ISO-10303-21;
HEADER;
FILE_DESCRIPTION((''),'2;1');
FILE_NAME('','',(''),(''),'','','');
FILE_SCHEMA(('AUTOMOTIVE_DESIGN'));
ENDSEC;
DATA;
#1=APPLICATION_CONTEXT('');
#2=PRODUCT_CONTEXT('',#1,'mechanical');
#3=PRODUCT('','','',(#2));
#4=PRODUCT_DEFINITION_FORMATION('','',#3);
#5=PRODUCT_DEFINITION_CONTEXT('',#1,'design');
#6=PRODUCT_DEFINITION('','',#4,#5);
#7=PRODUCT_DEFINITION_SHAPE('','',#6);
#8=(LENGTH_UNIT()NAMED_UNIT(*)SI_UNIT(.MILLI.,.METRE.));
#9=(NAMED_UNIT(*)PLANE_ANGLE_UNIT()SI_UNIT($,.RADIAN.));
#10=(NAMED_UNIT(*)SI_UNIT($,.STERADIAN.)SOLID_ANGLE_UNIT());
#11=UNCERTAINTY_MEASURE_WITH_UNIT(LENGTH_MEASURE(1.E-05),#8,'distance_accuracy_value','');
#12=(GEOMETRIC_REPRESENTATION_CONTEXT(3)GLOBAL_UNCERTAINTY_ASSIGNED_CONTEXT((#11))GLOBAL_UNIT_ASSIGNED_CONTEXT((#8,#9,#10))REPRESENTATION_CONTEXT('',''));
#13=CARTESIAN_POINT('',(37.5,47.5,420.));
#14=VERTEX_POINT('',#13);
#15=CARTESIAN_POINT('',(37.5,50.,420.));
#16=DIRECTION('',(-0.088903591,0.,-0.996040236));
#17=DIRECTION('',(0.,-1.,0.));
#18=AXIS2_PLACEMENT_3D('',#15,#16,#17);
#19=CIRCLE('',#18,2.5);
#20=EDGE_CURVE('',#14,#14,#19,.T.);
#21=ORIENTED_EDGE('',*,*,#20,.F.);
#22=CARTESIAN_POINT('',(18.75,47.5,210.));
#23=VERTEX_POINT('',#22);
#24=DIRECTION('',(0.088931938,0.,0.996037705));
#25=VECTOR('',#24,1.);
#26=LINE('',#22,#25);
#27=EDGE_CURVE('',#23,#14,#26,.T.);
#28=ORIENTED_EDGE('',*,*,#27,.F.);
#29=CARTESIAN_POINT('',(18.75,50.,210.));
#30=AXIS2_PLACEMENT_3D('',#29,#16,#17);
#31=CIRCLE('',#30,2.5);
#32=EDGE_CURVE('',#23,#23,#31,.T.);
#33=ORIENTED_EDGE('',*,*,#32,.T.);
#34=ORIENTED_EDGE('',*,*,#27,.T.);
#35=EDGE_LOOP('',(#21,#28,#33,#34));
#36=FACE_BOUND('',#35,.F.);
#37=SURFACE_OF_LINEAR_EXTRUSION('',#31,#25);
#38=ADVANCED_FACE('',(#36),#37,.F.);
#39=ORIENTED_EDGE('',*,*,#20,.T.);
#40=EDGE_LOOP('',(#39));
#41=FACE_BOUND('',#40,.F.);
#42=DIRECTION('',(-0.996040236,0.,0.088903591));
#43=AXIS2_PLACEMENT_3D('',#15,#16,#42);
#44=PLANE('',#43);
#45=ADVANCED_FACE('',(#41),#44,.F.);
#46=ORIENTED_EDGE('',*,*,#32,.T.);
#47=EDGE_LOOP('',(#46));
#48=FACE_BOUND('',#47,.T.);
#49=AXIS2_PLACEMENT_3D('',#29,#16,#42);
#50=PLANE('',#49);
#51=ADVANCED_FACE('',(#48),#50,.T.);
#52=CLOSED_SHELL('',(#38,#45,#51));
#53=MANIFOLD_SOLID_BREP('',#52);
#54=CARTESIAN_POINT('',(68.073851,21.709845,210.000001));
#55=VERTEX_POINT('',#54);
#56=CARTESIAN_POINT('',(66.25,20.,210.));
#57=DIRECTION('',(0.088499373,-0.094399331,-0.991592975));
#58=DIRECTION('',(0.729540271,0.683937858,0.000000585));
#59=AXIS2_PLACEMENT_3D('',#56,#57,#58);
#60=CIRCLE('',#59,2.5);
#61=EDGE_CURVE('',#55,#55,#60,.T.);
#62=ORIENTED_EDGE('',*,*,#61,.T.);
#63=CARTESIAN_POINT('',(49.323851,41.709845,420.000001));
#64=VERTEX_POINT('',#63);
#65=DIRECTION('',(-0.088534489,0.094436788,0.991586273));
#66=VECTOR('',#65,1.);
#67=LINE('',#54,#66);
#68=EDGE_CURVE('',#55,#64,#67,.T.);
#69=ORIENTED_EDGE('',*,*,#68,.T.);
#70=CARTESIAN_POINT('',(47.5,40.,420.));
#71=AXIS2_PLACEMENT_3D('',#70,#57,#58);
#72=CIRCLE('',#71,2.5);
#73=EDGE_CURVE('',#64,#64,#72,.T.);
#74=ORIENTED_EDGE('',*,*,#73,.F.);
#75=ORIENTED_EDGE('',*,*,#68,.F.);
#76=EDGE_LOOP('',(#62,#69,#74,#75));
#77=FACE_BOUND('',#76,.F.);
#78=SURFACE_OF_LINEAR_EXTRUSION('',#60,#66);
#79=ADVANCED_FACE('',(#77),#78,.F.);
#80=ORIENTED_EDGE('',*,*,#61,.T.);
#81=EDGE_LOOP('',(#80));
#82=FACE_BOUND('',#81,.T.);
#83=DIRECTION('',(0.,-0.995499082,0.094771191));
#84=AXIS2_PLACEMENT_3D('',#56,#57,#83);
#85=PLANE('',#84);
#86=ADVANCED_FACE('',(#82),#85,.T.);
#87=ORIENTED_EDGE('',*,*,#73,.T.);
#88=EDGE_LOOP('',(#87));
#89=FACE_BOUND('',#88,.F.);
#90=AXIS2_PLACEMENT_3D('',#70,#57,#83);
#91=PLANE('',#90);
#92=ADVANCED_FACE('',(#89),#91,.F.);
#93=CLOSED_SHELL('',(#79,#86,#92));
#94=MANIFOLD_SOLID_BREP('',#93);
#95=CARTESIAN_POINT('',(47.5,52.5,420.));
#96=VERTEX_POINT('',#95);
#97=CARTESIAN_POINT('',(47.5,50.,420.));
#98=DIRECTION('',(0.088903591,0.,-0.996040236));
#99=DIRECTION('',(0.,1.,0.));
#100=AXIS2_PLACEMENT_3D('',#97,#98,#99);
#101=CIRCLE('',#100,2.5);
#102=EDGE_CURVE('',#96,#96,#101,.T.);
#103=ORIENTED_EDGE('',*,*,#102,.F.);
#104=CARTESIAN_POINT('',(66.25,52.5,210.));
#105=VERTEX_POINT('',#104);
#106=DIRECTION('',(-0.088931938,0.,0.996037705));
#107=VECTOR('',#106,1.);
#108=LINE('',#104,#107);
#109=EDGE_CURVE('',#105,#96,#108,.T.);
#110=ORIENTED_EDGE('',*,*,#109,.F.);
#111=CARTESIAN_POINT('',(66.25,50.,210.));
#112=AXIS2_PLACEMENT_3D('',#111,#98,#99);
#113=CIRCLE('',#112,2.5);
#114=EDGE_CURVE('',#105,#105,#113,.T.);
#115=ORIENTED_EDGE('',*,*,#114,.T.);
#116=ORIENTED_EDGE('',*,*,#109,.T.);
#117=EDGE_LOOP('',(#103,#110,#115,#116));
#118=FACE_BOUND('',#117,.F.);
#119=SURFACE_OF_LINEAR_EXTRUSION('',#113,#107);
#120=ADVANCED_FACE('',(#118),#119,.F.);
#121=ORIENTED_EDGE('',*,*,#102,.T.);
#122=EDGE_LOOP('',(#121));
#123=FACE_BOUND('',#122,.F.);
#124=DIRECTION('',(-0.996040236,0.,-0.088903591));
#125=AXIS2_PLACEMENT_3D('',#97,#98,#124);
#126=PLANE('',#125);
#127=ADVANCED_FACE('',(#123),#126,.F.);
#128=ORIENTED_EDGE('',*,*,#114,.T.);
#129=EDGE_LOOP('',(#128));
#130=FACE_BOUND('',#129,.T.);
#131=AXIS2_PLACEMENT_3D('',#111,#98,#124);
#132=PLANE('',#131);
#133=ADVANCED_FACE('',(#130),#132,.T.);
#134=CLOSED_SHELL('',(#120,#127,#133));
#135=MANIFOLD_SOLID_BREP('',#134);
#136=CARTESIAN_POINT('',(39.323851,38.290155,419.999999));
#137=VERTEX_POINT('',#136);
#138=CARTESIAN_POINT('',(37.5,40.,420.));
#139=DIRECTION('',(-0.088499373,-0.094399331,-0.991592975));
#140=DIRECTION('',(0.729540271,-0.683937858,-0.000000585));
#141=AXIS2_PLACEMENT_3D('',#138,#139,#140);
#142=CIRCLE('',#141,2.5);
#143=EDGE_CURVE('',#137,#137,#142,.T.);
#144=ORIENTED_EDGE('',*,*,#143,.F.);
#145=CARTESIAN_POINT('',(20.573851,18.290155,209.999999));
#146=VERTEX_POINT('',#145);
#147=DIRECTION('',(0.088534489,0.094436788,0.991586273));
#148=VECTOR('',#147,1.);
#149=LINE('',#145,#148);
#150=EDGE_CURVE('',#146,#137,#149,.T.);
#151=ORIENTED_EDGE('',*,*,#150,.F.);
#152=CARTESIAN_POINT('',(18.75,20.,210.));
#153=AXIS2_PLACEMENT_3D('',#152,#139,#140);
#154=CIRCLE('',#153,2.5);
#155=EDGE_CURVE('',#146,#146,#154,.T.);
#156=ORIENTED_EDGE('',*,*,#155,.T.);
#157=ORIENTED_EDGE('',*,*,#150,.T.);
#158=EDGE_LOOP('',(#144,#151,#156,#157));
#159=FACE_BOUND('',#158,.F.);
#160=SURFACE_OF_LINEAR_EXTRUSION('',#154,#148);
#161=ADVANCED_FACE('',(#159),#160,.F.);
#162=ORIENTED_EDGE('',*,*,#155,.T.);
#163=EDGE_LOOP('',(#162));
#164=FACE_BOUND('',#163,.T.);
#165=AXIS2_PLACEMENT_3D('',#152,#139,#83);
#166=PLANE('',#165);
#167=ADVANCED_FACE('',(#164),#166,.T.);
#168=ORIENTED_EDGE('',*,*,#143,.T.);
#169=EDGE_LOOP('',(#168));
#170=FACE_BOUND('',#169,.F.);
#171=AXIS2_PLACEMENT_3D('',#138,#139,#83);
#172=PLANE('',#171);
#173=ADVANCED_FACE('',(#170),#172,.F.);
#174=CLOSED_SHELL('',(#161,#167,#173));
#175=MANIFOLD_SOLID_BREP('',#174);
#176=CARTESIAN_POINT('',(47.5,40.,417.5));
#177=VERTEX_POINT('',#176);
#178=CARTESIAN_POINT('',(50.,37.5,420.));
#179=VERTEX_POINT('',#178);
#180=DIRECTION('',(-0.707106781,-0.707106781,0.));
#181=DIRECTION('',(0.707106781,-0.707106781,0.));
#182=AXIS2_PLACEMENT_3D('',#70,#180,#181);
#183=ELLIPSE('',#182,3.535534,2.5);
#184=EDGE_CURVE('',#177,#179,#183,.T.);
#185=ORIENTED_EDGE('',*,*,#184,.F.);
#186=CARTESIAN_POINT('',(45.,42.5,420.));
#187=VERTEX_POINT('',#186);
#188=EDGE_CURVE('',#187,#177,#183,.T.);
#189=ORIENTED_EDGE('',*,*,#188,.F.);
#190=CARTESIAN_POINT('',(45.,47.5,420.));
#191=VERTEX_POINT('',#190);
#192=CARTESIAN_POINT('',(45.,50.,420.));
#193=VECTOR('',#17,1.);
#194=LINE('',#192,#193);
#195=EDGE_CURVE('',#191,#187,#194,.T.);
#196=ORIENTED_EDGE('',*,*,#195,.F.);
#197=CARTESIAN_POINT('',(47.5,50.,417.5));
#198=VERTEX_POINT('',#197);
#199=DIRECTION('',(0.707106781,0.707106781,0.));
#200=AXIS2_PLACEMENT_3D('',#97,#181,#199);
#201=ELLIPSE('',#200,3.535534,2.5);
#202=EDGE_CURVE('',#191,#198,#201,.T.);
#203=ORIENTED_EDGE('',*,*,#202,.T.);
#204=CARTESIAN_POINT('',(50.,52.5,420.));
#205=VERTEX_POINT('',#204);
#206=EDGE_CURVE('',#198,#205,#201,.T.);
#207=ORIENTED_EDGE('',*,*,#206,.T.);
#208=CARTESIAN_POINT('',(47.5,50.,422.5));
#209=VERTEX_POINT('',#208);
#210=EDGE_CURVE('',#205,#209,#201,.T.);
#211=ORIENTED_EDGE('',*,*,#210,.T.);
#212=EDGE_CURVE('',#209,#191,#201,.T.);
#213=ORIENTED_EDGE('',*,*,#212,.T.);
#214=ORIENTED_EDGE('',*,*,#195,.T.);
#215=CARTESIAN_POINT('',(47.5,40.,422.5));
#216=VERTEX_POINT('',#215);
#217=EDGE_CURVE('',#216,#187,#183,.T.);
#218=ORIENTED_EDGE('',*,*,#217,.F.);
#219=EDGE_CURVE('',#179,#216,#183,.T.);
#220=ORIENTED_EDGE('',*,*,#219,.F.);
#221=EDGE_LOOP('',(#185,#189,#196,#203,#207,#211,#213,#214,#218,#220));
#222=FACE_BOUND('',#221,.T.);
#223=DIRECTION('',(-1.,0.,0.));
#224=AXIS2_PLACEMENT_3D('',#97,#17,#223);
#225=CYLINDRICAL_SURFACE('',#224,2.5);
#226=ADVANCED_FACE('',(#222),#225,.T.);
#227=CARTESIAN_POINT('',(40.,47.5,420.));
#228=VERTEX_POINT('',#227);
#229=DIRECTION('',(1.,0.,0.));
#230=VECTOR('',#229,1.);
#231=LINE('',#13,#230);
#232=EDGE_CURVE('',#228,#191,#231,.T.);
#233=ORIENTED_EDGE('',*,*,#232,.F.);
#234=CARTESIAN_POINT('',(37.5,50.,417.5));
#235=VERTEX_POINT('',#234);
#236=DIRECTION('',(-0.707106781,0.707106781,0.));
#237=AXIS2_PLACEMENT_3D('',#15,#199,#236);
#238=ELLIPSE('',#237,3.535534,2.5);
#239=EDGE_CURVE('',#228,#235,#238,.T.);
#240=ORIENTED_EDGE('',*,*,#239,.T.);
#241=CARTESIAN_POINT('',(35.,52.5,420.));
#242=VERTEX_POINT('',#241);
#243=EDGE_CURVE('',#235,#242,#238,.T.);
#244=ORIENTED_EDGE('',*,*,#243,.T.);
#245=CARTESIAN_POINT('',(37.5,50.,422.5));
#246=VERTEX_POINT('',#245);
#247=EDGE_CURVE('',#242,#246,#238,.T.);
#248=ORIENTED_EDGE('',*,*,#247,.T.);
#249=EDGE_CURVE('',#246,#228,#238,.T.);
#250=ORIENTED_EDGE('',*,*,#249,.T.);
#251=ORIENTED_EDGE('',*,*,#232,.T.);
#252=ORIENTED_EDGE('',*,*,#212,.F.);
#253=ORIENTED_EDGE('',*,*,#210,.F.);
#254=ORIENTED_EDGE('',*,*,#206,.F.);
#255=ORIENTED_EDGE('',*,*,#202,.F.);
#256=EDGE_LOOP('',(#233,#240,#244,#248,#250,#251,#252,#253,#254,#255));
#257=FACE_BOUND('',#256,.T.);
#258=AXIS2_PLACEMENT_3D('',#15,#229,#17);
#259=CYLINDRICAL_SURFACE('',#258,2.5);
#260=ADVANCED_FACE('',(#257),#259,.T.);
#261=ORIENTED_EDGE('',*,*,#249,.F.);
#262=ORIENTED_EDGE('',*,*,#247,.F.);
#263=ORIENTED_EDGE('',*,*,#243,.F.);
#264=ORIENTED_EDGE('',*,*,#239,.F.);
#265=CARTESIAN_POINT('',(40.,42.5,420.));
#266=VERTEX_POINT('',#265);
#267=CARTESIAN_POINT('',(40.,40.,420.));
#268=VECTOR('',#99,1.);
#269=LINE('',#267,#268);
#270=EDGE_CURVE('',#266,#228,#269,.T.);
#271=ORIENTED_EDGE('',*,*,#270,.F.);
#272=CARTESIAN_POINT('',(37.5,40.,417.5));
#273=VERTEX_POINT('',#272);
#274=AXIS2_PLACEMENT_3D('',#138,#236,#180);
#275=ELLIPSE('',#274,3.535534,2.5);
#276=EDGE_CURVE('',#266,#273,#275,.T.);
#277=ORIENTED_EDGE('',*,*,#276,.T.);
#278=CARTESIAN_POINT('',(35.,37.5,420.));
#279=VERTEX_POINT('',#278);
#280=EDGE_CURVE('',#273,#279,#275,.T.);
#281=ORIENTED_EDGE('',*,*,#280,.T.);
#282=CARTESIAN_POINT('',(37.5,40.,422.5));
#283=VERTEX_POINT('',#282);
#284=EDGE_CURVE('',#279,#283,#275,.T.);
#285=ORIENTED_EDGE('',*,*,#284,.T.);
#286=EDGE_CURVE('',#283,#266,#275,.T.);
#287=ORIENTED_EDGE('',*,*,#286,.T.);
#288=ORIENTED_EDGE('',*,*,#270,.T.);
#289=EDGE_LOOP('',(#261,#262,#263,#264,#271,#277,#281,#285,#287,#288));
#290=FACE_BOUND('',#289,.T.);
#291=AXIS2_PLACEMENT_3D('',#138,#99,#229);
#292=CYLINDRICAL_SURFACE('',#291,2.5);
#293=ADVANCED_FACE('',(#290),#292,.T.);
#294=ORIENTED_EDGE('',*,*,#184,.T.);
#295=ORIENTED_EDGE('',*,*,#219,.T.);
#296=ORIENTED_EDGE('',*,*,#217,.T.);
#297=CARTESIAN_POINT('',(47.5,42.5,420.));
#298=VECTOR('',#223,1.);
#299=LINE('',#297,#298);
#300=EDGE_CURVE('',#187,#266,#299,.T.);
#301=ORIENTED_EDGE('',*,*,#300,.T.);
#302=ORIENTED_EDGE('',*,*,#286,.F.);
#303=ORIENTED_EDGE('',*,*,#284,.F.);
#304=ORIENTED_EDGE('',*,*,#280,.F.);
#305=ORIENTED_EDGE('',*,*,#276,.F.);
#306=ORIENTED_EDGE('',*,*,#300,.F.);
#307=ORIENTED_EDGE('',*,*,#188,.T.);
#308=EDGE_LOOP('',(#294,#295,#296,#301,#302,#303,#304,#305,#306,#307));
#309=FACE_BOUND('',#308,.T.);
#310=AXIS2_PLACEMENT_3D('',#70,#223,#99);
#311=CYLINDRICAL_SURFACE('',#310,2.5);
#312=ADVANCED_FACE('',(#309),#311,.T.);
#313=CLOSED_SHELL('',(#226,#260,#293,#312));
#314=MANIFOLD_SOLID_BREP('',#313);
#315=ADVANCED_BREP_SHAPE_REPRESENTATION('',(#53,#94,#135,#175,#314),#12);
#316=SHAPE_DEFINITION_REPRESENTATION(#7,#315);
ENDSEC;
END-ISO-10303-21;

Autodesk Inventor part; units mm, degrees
ref_plane "YZ Plane" through (0, 0, 0) normal (1, 0, 0) x (0, 1, 0)
ref_plane "XZ Plane" through (0, 0, 0) normal (0, 1, 0) x (-1, 0, 0)
ref_plane "XY Plane" through (0, 0, 0) normal (0, 0, 1) x (1, 0, 0)
sketch3d "3D Sketch1"
ref_plane "Work Plane1" through (18.75, 50, 210) normal (-0.0889, 0, -0.996) x (0, -1, 0)
ref_plane "Work Plane2" through (66.25, 20, 210) normal (0.0885, -0.0944, -0.9916) x (0.7295, 0.6839, 0)
ref_plane "Work Plane3" through (66.25, 50, 210) normal (0.0889, 0, -0.996) x (0, 1, 0)
ref_plane "Work Plane4" through (18.75, 20, 210) normal (-0.0885, -0.0944, -0.9916) x (0.7295, -0.6839, 0)
ref_plane "Work Plane5" through (37.5, 40, 420) normal (0, -1, 0) x (1, 0, 0)
sketch "Sketch1" plane through (18.75, 20, 210) normal (-0.0885, -0.0944, -0.9916) x (0.7295, -0.6839, 0)
  circle A0 centre (0, 0) radius 2.5
  point P0 (0, 0)
  dimension "d15" = 5
sketch "Sketch2" plane through (18.75, 50, 210) normal (-0.0889, 0, -0.996) x (0, -1, 0)
  circle A0 centre (0, 0) radius 2.5
  point P0 (50, 0)
  dimension "d16" = 5
sketch "Sketch3" plane through (66.25, 50, 210) normal (0.0889, 0, -0.996) x (0, 1, 0)
  circle A0 centre (0, 0) radius 2.5
  point P0 (-50, -84.6632)
  dimension "d17" = 5
sketch "Sketch4" plane through (66.25, 20, 210) normal (0.0885, -0.0944, -0.9916) x (0.7295, 0.6839, 0)
  circle A0 centre (0, 0) radius 2.5
  point P0 (-62.0107, -57.6459)
  dimension "d18" = 5
sketch "Sketch5" plane through (37.5, 40, 420) normal (0, -1, 0) x (1, 0, 0)
  circle A0 centre (0, 0) radius 2.5
  point P0 (-37.5, -420)
  dimension "d19" = 5
sketch3d "3D Sketch2"
  line L0 (18.75, 20, 210) -> (37.5, 40, 420)
  dimension "d9" = 210
  dimension "d10" = 37.5
  dimension "d11" = 40
  dimension "d12" = 10
  dimension "d13" = 10
  dimension "d14" = 10
sweep "Sweep1" add profiles "Sketch1" path "3D Sketch2"
sketch3d "3D Sketch2 for Sweep2"
  line L0 (18.75, 50, 210) -> (37.5, 50, 420)
  dimension "d9" = 210
  dimension "d10" = 37.5
  dimension "d11" = 40
  dimension "d12" = 10
  dimension "d13" = 10
  dimension "d14" = 10
sweep "Sweep2" add profiles "Sketch2" path "3D Sketch2 for Sweep2" separate body
sketch3d "3D Sketch2 for Sweep3"
  line L0 (66.25, 50, 210) -> (47.5, 50, 420)
  dimension "d9" = 210
  dimension "d10" = 37.5
  dimension "d11" = 40
  dimension "d12" = 10
  dimension "d13" = 10
  dimension "d14" = 10
sweep "Sweep3" add profiles "Sketch3" path "3D Sketch2 for Sweep3" separate body
sketch3d "3D Sketch2 for Sweep4"
  line L0 (66.25, 20, 210) -> (47.5, 40, 420)
  dimension "d9" = 210
  dimension "d10" = 37.5
  dimension "d11" = 40
  dimension "d12" = 10
  dimension "d13" = 10
  dimension "d14" = 10
sweep "Sweep4" add profiles "Sketch4" path "3D Sketch2 for Sweep4" separate body
sketch3d "3D Sketch2 for Sweep5"
  line L0 (37.5, 40, 420) -> (37.5, 50, 420)
  line L1 (37.5, 50, 420) -> (47.5, 50, 420)
  line L2 (47.5, 50, 420) -> (47.5, 40, 420)
  line L3 (47.5, 40, 420) -> (37.5, 40, 420)
  dimension "d9" = 210
  dimension "d10" = 37.5
  dimension "d11" = 40
  dimension "d12" = 10
  dimension "d13" = 10
  dimension "d14" = 10
sweep "Sweep5" add profiles "Sketch5" path "3D Sketch2 for Sweep5" separate body
properties part number "RCPlaneTailRear2"
